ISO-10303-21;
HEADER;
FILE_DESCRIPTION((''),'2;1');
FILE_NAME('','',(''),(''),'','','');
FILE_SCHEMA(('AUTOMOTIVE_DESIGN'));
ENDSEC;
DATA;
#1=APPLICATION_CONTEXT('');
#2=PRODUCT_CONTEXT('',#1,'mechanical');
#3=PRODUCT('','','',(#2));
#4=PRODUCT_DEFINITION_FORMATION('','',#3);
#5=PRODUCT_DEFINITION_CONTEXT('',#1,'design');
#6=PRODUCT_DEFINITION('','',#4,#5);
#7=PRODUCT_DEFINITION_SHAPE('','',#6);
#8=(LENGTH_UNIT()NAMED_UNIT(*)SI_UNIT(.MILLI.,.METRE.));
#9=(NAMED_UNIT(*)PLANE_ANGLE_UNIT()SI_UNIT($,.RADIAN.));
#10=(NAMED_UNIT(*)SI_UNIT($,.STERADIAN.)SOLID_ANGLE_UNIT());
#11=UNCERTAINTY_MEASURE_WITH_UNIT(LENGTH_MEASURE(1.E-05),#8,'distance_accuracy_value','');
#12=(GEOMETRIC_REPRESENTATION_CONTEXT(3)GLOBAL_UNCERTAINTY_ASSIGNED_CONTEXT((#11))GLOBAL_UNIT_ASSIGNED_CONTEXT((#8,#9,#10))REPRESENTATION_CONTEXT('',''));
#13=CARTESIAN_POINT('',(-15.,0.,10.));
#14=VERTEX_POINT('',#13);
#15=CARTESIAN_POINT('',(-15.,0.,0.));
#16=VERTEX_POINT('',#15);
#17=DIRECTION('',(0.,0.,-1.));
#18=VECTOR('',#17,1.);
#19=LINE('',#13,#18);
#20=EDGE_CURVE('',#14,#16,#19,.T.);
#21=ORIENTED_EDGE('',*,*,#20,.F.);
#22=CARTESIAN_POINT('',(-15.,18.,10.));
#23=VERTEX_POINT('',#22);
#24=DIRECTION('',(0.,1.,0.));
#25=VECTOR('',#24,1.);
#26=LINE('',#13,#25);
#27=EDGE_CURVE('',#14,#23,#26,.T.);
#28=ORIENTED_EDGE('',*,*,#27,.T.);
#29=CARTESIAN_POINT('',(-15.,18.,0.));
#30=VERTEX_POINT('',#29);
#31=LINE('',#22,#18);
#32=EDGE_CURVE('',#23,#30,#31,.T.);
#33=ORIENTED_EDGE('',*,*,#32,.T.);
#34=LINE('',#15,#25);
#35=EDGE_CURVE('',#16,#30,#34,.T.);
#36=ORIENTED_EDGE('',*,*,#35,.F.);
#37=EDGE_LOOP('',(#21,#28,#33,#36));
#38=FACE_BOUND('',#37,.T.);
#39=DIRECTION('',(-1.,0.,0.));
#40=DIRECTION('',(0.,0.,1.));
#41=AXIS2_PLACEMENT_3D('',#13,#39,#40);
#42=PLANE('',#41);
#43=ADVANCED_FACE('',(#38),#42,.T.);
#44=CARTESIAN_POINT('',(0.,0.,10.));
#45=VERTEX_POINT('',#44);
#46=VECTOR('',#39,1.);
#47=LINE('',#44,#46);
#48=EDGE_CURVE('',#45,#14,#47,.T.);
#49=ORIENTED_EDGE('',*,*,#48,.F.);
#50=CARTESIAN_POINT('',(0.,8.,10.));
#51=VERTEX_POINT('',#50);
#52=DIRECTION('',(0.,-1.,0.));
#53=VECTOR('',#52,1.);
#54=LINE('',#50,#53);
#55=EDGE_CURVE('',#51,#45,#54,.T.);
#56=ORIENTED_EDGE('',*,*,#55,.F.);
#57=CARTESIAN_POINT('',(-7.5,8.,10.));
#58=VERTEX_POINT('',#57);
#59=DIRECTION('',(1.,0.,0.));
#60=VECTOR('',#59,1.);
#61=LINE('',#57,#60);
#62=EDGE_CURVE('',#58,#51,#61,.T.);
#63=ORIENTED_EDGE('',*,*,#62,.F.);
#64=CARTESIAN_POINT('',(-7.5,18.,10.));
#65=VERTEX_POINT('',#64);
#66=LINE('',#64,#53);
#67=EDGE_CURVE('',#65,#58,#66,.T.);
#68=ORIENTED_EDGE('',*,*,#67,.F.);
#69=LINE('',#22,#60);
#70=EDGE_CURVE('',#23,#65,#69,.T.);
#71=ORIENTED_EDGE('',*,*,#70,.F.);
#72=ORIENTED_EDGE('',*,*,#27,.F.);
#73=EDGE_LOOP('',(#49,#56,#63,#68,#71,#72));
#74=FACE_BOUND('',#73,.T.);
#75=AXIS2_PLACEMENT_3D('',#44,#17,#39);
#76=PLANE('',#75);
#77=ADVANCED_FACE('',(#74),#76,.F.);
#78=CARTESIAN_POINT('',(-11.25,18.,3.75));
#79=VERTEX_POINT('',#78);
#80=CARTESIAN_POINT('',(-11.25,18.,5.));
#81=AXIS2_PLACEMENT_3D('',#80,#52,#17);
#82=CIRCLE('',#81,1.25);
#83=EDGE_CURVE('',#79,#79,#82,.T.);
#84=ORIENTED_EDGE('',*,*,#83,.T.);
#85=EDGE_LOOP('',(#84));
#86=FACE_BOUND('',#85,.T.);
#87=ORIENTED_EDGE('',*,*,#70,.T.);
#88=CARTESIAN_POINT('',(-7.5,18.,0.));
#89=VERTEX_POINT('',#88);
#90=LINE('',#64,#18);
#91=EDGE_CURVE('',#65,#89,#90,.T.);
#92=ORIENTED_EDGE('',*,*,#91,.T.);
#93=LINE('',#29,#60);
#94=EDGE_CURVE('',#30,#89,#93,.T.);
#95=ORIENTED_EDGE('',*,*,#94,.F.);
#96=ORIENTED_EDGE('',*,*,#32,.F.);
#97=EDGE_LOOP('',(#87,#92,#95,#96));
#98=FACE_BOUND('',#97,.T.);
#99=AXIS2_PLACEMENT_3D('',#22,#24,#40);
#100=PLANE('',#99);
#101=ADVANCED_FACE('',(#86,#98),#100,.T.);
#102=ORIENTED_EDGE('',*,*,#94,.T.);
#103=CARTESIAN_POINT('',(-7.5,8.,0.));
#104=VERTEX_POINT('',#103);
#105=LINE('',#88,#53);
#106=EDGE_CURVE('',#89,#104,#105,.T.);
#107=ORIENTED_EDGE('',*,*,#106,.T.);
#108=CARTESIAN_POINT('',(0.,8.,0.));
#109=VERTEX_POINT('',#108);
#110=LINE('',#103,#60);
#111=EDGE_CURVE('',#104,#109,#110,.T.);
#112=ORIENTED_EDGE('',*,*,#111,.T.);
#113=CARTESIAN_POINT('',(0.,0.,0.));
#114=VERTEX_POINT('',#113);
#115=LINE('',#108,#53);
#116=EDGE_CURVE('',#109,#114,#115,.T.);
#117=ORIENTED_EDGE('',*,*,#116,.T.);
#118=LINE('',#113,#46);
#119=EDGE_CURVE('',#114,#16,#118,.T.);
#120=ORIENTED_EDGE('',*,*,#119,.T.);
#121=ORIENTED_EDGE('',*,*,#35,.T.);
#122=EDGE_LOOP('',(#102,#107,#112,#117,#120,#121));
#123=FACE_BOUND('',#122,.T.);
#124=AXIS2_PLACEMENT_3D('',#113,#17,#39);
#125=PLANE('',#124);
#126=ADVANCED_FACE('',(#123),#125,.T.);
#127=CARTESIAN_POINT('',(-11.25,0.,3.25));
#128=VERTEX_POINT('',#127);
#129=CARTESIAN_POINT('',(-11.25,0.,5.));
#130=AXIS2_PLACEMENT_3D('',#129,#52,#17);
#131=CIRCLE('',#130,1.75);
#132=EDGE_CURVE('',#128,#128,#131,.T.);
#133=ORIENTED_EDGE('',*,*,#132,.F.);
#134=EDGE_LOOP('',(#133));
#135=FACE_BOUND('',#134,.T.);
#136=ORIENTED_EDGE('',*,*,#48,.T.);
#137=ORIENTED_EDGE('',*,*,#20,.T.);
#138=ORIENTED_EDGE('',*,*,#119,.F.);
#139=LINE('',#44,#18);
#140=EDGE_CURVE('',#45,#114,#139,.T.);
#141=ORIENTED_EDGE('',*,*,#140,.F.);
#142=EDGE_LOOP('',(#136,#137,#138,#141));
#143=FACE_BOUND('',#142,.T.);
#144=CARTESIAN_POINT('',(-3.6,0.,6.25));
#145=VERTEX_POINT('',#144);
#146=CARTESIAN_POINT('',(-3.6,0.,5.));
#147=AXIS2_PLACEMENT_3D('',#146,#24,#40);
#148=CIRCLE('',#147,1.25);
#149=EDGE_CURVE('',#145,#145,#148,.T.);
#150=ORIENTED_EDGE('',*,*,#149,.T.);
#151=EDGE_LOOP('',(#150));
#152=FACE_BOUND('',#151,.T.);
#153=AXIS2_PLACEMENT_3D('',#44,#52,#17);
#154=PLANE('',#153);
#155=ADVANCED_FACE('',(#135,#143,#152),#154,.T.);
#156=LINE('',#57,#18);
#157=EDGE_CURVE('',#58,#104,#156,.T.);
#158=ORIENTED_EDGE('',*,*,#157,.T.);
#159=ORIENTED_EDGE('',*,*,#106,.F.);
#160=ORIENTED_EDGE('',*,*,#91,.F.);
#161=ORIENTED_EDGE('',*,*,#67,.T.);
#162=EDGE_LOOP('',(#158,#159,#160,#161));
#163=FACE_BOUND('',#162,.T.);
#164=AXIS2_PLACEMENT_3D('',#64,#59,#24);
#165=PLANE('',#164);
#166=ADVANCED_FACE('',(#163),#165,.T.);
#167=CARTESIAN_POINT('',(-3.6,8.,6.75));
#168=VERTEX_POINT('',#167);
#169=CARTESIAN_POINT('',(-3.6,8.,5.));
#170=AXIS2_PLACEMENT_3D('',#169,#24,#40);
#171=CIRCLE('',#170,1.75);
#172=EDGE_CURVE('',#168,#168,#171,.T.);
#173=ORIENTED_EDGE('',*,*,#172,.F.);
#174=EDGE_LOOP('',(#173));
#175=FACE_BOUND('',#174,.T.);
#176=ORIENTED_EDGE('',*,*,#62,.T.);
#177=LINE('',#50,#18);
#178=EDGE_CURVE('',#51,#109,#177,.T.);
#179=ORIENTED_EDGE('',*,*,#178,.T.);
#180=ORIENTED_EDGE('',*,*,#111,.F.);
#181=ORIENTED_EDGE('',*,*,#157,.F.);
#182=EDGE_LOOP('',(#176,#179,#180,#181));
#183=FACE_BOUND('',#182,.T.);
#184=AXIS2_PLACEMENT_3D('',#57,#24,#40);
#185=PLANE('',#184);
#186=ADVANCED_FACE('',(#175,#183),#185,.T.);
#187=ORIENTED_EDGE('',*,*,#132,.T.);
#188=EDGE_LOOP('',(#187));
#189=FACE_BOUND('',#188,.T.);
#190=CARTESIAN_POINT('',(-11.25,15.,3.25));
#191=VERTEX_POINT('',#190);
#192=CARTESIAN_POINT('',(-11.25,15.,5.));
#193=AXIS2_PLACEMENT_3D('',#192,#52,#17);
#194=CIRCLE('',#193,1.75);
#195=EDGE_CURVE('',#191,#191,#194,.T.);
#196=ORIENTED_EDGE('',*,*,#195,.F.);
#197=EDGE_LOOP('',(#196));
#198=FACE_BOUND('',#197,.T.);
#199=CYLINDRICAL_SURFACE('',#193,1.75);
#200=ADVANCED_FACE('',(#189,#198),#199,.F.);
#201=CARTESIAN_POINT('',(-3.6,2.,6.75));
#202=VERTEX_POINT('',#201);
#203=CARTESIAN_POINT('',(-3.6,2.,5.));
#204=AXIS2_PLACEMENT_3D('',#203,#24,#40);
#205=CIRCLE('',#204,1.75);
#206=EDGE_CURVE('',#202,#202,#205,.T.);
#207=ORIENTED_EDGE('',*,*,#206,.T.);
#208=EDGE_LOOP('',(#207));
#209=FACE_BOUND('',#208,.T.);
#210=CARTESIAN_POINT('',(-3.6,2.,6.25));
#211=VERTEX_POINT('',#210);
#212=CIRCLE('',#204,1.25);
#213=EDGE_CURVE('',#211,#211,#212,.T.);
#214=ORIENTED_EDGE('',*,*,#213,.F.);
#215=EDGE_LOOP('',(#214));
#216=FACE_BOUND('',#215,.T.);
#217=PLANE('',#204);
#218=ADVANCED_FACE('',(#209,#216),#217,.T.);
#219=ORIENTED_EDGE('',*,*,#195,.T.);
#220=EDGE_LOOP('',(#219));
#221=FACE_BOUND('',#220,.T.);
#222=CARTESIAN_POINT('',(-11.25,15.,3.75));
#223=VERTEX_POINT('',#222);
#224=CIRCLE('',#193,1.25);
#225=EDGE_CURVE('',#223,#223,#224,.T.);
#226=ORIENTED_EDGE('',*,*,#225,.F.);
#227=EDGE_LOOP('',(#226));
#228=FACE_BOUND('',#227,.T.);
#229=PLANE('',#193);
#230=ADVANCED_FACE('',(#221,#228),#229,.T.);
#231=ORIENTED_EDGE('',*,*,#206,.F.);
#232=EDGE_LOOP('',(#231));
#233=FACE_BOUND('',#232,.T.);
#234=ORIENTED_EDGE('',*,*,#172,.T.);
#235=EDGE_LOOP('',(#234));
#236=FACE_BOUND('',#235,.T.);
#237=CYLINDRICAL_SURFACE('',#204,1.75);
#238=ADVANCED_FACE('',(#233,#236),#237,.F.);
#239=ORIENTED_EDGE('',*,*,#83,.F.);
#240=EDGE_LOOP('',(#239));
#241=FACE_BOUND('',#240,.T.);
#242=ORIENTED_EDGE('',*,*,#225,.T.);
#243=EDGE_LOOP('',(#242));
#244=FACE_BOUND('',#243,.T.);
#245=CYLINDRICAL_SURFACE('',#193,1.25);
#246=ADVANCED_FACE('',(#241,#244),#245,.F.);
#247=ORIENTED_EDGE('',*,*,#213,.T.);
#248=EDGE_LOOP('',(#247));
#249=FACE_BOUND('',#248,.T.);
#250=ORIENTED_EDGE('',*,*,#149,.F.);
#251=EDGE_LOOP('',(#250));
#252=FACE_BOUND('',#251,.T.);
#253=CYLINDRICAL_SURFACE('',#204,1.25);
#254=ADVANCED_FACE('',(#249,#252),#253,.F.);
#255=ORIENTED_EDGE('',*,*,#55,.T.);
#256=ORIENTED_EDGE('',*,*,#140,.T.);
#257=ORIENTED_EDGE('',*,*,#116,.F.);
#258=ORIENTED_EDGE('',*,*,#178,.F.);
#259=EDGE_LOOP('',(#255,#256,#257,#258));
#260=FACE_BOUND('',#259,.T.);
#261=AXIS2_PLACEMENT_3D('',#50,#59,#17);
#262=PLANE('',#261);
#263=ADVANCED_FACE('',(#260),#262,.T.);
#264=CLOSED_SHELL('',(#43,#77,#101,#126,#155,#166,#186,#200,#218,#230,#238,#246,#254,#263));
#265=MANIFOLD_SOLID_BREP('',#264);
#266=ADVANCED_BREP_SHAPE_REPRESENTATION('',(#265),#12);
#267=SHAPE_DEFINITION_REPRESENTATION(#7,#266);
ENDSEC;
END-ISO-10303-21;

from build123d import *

# Parameters (mm, degrees)
BOSS_EXTRUDE1_DEPTH   = 10
SKETCH6_R             = 1.75
CUT_EXTRUDE1_DEPTH    = 6
F_2_5MM_DOWEL_HOLE1_D = 2.5
SKETCH9_R             = 1.75
CUT_EXTRUDE2_DEPTH    = 15
F_2_5MM_DOWEL_HOLE2_D = 2.5


with BuildPart() as part:
    # Sketch1 → Boss-Extrude1 (new body)
    with BuildSketch(Plane.XY):
        Polygon((0, 0), (-15, 0), (-15, 18), (-7.5, 18), (-7.5, 8), (0, 8), align=None)
    extrude(amount=BOSS_EXTRUDE1_DEPTH)

    # Sketch6 → Cut-Extrude1 (cut)
    with BuildSketch(Plane(origin=(0, 8, 0), x_dir=(1, 0, 0), z_dir=(0, 1, 0))):
        with Locations(Location((-3.6, -5, 0), (0, 0, 270))):
            Circle(SKETCH6_R)
    extrude(amount=-CUT_EXTRUDE1_DEPTH, mode=Mode.SUBTRACT)

    # Ø2.5mm Dowel Hole1 (through all)
    with Locations(Plane(origin=(0, 2, 0), x_dir=(1, 0, 0), z_dir=(0, 1, 0))):
        with Locations((-3.6, -5)):
            Hole(F_2_5MM_DOWEL_HOLE1_D / 2)

    # Sketch9 → Cut-Extrude2 (cut)
    with BuildSketch(Plane.XZ):
        with Locations(Location((-11.25, 5, 0), (0, 0, 270))):
            Circle(SKETCH9_R)
    extrude(amount=-CUT_EXTRUDE2_DEPTH, mode=Mode.SUBTRACT)

    # Ø2.5mm Dowel Hole2 (through all)
    with Locations(Plane(origin=(0, 15, 0), x_dir=(-1, 0, 0), z_dir=(0, -1, 0))):
        with Locations((11.25, -5)):
            Hole(F_2_5MM_DOWEL_HOLE2_D / 2)


solid = part.part
